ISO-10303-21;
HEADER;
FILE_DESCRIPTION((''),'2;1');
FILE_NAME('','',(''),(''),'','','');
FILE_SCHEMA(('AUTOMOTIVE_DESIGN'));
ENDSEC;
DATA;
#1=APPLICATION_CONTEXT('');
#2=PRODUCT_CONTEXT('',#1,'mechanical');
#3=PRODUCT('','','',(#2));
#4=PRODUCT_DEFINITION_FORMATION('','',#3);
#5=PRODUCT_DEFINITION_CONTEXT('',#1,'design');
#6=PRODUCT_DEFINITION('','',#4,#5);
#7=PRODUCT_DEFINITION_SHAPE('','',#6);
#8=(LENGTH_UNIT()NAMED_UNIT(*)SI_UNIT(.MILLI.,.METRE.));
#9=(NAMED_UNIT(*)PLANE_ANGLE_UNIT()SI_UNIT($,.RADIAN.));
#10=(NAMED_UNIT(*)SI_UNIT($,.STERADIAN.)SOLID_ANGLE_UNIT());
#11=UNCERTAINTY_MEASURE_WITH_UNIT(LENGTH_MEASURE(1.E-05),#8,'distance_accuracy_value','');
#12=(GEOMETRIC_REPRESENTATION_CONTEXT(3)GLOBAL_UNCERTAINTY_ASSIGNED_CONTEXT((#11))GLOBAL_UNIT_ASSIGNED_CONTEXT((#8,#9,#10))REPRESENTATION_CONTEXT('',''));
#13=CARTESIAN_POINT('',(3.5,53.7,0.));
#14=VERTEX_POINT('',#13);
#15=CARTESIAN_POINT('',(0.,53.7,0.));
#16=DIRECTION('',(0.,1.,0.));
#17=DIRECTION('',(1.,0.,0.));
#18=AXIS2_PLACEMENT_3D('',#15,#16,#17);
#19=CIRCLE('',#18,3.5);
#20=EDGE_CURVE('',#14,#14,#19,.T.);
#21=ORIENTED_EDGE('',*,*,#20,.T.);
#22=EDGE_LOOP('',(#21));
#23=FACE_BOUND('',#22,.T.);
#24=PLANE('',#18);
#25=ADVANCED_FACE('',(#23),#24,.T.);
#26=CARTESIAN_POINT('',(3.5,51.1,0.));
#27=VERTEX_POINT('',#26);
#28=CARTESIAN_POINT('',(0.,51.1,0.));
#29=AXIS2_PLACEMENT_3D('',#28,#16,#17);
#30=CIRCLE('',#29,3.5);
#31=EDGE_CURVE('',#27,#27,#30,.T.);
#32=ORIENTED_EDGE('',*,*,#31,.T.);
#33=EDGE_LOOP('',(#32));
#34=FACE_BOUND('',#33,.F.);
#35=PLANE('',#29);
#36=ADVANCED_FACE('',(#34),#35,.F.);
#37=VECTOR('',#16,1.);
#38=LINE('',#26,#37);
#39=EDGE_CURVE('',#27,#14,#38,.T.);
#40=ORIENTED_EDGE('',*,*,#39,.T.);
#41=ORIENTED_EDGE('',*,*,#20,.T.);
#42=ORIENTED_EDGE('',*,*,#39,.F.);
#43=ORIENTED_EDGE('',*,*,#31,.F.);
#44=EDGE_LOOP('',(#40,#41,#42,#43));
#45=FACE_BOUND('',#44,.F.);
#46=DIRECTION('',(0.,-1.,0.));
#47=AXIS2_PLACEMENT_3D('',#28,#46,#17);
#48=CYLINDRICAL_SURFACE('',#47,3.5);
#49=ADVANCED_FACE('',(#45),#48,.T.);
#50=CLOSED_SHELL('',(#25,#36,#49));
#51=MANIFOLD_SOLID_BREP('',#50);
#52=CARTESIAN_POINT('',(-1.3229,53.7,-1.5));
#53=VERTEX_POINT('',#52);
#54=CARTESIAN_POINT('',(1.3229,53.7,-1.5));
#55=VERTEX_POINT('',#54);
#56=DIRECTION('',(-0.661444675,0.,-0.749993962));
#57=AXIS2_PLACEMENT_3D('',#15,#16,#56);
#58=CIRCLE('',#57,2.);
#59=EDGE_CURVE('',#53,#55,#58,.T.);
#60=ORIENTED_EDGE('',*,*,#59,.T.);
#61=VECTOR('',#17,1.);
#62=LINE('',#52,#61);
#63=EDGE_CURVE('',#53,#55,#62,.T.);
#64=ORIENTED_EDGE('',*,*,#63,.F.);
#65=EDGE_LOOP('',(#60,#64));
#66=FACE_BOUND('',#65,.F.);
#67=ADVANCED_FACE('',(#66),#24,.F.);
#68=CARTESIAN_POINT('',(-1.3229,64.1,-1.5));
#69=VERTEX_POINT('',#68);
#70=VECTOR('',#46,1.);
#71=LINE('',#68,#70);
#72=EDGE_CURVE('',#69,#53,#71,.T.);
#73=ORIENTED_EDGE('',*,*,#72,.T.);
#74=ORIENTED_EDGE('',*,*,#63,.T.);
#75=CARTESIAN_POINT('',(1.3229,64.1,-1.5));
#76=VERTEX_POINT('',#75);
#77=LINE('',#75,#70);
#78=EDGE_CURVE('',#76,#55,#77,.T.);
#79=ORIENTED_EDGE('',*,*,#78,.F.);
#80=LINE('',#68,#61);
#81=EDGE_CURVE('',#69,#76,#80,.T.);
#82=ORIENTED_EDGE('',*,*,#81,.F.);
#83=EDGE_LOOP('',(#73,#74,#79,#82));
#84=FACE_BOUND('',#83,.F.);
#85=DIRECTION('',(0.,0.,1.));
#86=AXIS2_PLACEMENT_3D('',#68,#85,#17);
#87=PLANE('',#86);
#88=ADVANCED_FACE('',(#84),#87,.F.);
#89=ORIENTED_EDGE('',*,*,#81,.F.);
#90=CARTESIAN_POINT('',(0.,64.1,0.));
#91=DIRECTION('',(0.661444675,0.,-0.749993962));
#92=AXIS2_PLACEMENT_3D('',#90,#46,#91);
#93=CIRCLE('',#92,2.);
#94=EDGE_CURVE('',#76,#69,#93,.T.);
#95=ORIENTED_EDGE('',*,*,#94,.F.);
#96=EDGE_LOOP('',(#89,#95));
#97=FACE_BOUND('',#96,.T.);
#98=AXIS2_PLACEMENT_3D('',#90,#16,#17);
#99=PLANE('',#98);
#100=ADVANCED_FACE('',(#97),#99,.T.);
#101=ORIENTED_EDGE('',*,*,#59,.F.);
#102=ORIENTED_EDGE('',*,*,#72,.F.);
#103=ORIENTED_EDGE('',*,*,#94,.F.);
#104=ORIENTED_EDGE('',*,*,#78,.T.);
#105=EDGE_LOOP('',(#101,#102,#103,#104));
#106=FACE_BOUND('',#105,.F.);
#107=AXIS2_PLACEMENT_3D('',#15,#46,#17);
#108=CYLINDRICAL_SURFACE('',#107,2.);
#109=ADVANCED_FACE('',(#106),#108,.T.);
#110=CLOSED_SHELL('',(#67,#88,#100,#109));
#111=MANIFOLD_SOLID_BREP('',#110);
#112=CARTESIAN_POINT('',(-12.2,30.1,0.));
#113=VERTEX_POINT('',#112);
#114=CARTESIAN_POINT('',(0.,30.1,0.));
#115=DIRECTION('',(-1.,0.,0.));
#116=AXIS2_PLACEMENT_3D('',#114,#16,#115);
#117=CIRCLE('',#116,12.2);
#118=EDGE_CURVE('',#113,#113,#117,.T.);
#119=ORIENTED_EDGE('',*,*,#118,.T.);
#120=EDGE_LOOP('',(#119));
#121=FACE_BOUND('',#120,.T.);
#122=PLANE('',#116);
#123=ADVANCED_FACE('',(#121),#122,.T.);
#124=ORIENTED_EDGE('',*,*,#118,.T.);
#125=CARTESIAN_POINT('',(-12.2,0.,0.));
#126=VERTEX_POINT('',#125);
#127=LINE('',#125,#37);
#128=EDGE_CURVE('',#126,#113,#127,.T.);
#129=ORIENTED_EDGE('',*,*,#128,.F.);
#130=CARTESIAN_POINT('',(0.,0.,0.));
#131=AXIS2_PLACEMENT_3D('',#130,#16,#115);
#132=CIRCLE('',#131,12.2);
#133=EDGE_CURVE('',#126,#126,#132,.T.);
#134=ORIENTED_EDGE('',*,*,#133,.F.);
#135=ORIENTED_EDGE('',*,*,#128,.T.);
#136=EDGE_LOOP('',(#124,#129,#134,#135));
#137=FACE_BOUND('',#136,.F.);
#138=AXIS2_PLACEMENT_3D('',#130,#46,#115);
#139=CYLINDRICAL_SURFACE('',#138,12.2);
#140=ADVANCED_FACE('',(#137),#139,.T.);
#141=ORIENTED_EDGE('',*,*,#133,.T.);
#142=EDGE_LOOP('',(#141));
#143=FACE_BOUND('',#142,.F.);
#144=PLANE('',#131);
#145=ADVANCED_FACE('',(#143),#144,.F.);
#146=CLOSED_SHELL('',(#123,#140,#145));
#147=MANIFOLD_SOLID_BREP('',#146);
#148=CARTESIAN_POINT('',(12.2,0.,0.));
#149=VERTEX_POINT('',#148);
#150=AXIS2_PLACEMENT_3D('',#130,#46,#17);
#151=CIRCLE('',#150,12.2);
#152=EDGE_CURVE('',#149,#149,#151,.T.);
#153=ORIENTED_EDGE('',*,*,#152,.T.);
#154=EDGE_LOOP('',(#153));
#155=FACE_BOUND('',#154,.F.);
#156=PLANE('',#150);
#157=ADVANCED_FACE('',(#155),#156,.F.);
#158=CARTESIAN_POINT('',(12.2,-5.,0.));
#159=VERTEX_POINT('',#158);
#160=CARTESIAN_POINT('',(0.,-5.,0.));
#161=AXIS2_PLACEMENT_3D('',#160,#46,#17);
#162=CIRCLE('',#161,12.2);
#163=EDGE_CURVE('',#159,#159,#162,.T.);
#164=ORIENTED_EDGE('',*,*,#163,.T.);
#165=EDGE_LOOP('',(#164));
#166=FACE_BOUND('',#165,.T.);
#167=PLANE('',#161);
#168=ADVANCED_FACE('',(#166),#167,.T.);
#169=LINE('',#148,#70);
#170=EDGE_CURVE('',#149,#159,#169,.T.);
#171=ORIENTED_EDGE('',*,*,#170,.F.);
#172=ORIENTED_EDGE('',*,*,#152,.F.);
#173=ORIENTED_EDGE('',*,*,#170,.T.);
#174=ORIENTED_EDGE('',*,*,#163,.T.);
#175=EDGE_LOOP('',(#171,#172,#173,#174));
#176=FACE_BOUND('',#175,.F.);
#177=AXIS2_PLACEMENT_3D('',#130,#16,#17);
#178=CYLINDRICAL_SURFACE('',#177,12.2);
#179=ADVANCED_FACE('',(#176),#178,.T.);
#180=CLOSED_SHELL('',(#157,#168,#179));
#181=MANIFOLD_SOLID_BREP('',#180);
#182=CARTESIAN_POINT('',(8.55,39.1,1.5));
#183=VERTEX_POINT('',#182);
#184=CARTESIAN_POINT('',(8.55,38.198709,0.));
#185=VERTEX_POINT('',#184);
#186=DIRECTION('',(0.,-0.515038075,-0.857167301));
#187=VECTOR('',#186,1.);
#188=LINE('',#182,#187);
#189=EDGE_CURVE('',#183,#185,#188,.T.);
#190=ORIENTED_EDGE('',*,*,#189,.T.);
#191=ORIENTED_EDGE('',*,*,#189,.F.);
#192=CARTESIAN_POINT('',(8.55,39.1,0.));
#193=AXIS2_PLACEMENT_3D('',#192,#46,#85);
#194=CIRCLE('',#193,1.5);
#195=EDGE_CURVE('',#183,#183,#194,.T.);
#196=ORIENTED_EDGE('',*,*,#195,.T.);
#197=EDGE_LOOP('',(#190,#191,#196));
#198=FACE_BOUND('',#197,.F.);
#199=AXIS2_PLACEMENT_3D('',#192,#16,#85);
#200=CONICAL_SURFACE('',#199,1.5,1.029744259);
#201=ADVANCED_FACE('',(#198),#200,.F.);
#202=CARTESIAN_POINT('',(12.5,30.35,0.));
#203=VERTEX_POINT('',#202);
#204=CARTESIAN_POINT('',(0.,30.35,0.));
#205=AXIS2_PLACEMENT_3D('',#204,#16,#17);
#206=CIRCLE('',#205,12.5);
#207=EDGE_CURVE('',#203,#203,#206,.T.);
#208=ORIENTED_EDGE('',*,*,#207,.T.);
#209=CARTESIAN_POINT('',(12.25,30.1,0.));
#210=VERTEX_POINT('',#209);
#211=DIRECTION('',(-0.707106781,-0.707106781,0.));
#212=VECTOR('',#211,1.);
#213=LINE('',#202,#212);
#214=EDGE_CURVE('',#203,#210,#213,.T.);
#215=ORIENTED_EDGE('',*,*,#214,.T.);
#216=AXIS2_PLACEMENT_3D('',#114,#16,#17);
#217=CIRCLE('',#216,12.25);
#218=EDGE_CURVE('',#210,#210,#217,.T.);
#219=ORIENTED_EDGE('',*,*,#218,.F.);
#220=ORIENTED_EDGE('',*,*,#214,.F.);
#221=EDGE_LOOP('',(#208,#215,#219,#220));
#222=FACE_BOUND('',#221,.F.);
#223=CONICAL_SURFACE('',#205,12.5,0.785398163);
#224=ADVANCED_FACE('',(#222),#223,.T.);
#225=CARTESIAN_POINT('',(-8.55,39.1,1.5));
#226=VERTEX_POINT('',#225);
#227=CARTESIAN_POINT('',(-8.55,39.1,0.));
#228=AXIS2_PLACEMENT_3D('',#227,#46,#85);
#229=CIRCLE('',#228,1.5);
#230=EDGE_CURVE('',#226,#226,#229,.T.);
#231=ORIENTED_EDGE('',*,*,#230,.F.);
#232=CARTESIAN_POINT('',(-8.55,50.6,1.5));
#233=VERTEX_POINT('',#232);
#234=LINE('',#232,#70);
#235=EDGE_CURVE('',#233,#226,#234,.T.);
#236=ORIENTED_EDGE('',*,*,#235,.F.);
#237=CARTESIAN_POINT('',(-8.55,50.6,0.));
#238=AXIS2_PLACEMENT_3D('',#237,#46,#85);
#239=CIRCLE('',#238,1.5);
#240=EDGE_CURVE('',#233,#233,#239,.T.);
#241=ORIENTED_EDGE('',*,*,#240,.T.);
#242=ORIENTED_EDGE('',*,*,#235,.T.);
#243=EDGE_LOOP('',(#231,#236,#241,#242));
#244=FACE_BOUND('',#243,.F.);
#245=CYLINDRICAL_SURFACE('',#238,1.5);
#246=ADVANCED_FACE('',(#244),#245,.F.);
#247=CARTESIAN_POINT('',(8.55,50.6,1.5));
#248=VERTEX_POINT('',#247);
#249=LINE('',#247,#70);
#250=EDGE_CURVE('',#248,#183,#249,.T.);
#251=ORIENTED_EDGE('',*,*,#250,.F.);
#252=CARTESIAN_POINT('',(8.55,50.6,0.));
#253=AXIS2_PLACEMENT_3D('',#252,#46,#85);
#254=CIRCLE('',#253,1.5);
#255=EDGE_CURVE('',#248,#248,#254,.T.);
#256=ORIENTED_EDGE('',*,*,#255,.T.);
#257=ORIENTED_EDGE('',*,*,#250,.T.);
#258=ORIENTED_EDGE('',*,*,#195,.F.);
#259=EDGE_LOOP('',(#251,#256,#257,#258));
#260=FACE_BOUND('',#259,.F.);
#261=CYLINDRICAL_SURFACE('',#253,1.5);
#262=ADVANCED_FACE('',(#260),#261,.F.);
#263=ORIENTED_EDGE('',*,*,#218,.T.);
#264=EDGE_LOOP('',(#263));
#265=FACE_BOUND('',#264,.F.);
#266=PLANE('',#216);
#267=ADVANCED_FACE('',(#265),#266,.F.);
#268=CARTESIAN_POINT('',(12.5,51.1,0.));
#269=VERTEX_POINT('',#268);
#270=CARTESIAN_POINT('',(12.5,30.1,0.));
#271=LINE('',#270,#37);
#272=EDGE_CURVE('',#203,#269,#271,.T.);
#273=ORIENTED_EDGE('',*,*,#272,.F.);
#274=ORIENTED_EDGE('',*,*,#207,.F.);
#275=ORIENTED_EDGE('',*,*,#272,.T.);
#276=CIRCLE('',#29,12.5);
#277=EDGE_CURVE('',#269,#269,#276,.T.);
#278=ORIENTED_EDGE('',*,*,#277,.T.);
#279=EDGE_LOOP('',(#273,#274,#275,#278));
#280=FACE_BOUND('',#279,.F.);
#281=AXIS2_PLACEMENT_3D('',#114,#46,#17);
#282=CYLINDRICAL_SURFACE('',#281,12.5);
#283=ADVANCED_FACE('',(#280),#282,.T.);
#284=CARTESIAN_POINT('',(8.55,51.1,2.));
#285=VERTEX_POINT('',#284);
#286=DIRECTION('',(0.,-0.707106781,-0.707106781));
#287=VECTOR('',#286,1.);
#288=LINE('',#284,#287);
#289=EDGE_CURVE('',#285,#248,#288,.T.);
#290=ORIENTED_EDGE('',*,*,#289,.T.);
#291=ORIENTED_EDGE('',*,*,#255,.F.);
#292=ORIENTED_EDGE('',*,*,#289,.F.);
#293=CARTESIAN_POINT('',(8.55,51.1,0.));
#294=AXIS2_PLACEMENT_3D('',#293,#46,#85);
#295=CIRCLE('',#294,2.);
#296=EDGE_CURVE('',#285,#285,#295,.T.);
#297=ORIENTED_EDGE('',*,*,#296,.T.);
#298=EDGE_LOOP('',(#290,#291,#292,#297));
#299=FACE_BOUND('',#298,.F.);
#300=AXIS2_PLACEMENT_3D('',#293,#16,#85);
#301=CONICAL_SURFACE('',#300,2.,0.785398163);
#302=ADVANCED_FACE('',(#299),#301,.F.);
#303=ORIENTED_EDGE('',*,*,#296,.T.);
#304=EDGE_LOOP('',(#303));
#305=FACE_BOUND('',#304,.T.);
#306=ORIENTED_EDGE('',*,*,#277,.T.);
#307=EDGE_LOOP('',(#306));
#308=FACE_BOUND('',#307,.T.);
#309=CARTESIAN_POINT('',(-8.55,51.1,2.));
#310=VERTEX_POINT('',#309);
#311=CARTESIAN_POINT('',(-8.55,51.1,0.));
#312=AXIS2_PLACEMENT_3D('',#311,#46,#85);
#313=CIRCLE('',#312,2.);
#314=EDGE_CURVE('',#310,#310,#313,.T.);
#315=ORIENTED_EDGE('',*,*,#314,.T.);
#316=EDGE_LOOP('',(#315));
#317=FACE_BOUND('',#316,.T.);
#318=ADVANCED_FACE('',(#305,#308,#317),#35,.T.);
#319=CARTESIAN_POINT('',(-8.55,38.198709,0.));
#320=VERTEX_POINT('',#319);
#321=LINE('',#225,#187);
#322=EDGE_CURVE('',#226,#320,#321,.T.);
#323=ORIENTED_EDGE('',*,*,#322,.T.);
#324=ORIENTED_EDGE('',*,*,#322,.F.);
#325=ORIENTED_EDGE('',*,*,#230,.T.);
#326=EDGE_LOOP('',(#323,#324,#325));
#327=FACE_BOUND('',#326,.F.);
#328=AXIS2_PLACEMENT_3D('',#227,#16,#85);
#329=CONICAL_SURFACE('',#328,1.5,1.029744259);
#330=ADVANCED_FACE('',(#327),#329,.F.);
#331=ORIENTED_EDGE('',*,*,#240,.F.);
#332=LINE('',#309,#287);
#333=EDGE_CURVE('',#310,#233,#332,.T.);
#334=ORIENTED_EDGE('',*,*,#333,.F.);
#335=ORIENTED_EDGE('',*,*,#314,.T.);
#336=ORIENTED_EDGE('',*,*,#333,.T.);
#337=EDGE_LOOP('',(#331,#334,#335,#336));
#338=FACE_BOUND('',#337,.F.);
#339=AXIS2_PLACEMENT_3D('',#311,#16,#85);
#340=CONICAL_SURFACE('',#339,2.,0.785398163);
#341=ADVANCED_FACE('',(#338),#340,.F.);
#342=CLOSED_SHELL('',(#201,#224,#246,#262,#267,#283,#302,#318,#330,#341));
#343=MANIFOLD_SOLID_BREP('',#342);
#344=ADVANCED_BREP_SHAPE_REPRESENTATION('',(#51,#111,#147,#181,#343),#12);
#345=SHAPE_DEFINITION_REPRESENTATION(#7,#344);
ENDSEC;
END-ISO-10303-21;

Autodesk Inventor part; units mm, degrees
ref_plane "YZ Plane" through (0, 0, 0) normal (1, 0, 0) x (0, 1, 0)
ref_plane "XZ Plane" through (0, 0, 0) normal (0, 1, 0) x (-1, 0, 0)
ref_plane "XY Plane" through (0, 0, 0) normal (0, 0, 1) x (1, 0, 0)
sketch "Sketch1" plane through (0, 0, 0) normal (0, 1, 0) x (-1, 0, 0)
  circle A0 centre (0, 0) radius 12.2
  dimension "d0" = 24.4
extrude "Extrusion1" add sketch "Sketch1" along normal blind 30.1
sketch "Sketch2" plane through (0, 30.1, 0) normal (0, 1, 0) x (1, 0, 0)
  circle A0 centre (0, 0) radius 12.5
  dimension "d3" = 25
extrude "Extrusion2" add sketch "Sketch2" along normal blind 21 separate body
chamfer "Chamfer1" distance 0.25 angle 45 1 edges at (-12.5, 30.1, 0)
sketch "Sketch3" plane through (0, 51.1, 0) normal (0, 1, 0) x (1, 0, 0)
  circle A0 centre (0, 0) radius 8.55
  point P0 (-8.55, 0)
  point P1 (8.55, 0)
  dimension "d9" = 17.1
hole "Hole1" at (-8.55, 51.1, 0) at (8.55, 51.1, 0) direction (0, -1, 0) diameter 3 depth 12 tip angle 118 countersink diameter 4 countersink angle 90 bodies 2
sketch "Sketch4" plane through (0, 51.1, 0) normal (0, 1, 0) x (1, 0, 0)
  circle A0 centre (0, 0) radius 3.5
  circle A1 centre (0, 0) radius 2
  dimension "d18" = 7
  dimension "d19" = 4
extrude "Extrusion3" add sketch "Sketch4" along normal blind 2.6 separate body contours A0 | A1
extrude "Extrusion4" add sketch "Sketch4" along normal blind 10.4 from surface at 2.6 separate body contours A1
sketch "Sketch5" plane through (0, 64.1, 0) normal (0, 1, 0) x (1, 0, 0)
  circle A0 centre (0, 0) radius 2 projected
  line L0 (0, 0) -> (0, 1.5) construction
  line L1 (0, 1.5) -> (1.3229, 1.5) construction
  line L2 (0, 1.5) -> (-1.3229, 1.5) construction
  line L3 (-1.3229, 1.5) -> (1.3229, 1.5)
  dimension "d24" = 1.5
extrude "Extrusion5" cut sketch "Sketch5" against normal up to surface (10.4 mm away) contours L3 A0 picked at (-0.3089, 1.5908) bodies 4
sketch "Sketch6" plane through (0, 0, 0) normal (0, -1, 0) x (1, 0, 0)
  circle A0 centre (0, 0) radius 12.2 projected
extrude "Extrusion6" add sketch "Sketch6" along normal blind 5 from surface at 0 separate body
properties part number "dc12v1200rpm"
